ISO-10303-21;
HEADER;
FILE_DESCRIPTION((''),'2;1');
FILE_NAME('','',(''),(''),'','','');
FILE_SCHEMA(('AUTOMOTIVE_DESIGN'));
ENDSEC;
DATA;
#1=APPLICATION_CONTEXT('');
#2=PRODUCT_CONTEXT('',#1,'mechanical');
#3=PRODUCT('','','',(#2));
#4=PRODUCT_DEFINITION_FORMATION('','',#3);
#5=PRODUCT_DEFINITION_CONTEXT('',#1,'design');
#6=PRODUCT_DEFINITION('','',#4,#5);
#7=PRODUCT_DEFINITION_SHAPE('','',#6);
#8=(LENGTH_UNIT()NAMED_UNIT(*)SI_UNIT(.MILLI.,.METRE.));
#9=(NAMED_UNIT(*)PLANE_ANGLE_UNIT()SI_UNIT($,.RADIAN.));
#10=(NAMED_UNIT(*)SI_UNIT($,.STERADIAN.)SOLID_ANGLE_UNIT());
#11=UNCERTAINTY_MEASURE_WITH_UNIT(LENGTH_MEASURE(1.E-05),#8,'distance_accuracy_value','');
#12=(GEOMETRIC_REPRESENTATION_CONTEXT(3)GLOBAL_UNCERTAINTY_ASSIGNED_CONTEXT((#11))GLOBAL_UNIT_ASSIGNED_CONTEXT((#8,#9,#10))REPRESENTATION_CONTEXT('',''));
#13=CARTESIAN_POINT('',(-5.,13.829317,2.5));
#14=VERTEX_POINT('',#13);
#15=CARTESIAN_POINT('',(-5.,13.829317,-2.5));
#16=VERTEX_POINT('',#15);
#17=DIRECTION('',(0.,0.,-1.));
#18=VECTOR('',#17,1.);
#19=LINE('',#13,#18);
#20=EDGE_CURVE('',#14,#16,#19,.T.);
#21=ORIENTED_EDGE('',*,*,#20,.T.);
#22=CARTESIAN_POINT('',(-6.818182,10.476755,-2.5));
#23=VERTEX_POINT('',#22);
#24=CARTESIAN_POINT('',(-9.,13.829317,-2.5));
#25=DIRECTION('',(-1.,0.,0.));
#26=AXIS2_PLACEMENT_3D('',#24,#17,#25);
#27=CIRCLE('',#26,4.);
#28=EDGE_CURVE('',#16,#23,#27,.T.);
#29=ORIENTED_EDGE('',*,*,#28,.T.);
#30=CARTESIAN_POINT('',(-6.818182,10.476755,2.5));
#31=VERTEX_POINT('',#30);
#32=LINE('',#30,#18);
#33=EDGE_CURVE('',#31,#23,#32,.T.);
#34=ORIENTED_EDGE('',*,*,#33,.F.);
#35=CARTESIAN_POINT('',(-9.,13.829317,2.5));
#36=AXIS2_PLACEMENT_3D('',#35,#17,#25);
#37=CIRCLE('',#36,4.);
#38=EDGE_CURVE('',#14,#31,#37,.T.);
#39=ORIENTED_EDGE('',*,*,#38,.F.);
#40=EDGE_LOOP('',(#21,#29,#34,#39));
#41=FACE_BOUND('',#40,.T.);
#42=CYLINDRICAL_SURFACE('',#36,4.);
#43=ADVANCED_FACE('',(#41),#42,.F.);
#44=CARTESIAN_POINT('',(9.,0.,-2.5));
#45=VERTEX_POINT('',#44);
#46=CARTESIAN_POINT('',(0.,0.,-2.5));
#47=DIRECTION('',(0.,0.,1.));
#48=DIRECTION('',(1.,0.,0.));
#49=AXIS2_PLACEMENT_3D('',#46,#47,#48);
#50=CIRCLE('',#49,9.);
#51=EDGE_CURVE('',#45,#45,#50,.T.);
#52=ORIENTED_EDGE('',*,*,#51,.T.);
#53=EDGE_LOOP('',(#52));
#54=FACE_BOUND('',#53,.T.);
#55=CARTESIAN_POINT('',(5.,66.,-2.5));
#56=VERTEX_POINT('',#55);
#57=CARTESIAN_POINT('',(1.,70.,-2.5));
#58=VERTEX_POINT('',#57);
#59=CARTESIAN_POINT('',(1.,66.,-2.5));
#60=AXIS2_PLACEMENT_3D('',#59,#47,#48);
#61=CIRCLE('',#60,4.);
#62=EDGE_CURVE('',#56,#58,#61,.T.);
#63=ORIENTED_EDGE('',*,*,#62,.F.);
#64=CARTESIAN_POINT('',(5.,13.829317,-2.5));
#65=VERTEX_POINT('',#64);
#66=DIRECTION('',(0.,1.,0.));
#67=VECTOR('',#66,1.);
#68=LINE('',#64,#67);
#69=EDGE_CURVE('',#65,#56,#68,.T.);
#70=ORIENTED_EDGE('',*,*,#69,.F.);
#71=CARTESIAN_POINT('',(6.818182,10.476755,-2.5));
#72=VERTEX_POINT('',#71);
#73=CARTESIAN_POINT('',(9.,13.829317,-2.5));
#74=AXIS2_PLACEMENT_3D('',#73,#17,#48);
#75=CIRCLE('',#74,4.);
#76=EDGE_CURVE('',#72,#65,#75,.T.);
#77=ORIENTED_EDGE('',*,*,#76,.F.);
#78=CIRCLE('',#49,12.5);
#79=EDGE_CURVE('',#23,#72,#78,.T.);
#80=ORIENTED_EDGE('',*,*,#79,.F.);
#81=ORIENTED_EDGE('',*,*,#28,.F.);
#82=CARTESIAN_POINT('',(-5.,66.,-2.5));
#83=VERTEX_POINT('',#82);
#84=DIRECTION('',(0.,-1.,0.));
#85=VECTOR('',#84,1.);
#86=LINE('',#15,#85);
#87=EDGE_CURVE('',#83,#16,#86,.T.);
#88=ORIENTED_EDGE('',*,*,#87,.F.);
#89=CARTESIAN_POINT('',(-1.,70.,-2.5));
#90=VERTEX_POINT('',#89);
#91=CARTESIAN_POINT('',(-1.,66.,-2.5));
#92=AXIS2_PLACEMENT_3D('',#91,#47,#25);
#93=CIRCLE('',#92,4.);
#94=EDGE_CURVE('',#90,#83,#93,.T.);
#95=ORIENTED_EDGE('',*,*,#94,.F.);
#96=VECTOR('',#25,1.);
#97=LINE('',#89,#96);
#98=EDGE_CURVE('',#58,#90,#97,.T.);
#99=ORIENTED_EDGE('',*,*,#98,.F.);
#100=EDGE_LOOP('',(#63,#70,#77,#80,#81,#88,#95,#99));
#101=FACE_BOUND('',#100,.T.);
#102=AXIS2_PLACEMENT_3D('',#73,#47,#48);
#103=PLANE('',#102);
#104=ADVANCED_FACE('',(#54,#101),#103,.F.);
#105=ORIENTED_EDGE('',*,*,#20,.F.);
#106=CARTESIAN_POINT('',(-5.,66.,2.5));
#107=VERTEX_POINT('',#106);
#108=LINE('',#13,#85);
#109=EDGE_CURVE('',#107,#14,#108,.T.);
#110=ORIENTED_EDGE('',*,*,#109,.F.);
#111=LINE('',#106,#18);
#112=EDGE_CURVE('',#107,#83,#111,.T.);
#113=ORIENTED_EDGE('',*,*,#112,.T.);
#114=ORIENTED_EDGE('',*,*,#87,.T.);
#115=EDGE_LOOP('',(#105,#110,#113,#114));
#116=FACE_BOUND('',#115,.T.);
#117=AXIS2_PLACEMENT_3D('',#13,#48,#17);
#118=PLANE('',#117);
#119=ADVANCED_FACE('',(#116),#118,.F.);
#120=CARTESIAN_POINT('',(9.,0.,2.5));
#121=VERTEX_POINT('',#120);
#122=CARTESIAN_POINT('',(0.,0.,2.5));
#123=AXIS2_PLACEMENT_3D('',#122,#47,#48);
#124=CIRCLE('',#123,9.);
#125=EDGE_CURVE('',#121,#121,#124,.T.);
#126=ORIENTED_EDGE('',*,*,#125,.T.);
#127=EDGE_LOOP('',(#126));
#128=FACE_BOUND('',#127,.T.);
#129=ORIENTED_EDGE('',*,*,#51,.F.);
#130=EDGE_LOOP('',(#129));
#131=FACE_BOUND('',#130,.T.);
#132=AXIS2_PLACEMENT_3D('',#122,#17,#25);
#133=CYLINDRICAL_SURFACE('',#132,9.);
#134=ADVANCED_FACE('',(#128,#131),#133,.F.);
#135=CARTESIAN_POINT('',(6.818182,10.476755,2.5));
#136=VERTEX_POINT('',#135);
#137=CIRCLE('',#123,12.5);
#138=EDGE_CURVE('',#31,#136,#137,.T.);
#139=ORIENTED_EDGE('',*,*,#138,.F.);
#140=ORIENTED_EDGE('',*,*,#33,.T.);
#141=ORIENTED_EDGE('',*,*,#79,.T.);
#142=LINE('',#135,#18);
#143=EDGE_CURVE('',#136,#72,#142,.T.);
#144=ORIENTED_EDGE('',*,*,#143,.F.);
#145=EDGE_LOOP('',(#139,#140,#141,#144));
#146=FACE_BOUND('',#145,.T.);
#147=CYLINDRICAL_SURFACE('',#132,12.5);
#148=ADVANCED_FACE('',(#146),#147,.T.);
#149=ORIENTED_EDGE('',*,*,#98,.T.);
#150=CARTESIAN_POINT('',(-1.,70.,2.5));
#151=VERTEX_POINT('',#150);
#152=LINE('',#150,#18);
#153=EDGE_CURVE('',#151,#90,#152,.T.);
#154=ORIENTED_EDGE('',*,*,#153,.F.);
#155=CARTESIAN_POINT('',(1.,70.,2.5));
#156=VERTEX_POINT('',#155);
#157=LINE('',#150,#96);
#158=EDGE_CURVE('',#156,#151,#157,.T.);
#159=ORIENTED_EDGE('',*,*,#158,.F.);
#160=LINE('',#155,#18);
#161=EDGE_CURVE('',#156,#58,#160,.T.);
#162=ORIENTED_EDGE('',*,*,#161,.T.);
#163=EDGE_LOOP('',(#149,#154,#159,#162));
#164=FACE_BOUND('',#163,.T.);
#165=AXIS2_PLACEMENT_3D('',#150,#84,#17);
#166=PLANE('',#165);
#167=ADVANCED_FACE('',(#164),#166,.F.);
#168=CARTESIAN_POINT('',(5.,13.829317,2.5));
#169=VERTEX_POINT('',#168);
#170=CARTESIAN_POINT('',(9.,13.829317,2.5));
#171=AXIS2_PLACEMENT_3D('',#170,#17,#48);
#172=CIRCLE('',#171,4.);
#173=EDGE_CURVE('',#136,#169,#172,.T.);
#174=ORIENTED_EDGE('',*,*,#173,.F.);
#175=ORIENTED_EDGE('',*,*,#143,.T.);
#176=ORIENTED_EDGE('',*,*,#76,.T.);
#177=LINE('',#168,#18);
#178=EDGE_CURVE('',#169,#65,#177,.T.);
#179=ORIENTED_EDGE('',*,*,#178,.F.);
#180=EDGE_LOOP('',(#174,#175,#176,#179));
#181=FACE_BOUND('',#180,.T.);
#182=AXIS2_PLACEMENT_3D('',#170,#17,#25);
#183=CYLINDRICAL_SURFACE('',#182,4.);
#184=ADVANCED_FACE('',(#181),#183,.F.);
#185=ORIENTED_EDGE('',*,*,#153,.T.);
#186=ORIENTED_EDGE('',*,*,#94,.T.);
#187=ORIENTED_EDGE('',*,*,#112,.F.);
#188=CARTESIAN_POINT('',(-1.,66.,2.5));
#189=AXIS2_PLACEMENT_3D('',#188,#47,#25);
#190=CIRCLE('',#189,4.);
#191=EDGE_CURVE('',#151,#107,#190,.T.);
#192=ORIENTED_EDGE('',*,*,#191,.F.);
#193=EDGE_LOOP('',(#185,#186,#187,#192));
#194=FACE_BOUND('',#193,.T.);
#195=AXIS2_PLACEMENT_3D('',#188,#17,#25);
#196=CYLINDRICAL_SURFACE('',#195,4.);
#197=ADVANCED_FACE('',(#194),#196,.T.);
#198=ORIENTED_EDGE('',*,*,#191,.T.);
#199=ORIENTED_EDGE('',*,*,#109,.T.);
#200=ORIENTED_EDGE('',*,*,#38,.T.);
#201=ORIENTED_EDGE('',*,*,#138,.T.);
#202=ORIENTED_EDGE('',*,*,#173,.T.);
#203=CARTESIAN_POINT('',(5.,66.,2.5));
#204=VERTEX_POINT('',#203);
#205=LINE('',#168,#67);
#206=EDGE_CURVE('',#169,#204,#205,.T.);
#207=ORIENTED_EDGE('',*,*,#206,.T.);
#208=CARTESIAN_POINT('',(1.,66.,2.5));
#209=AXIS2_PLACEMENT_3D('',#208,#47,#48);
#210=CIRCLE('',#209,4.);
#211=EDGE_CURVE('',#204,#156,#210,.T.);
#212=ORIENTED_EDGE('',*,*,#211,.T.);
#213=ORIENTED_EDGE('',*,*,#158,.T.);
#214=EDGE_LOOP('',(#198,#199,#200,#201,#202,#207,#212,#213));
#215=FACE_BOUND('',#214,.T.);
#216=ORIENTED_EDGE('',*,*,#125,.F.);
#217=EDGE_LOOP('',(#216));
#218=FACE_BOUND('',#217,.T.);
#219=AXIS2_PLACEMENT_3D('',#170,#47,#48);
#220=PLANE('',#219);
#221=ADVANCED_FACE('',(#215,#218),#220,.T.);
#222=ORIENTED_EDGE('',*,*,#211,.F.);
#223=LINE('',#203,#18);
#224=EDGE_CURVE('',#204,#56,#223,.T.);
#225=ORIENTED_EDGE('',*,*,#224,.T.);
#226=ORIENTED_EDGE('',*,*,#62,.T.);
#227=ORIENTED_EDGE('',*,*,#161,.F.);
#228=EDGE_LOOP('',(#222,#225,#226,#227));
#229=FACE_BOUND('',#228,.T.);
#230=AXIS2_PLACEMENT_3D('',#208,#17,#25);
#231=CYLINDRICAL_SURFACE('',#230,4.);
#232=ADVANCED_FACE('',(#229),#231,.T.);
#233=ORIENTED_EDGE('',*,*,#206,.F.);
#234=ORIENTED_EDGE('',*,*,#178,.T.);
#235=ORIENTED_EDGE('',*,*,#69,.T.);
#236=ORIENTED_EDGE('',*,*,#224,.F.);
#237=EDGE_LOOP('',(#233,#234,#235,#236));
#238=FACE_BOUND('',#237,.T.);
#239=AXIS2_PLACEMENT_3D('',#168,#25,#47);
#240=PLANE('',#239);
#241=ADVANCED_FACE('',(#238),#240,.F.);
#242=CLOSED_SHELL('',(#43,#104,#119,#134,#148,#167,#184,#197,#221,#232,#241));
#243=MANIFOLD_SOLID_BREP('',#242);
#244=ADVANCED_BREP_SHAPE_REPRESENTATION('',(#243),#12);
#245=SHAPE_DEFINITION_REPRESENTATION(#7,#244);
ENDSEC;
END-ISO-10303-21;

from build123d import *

# Parameters (mm, degrees)
SKETCH1_R           = 9
BOSS_EXTRUDE1_DEPTH = 2.5


with BuildPart() as part:
    # Sketch1 → Boss-Extrude1 (new, symmetric)
    with BuildSketch(Plane.XY):
        with BuildLine():
            Line((-5, 13.829316686), (-5, 66))
            ThreePointArc((-5, 66), (-3.828427125, 68.828427125), (-1, 70))
            Line((-1, 70), (1, 70))
            ThreePointArc((1, 70), (3.828427125, 68.828427125), (5, 66))
            Line((5, 66), (5, 13.829316686))
            ThreePointArc((5, 13.829316686), (5.483803708, 11.922391507), (6.818181818, 10.476755065))
            ThreePointArc((6.818181818, 10.476755065), (0, -12.5), (-6.818181818, 10.476755065))
            ThreePointArc((-6.818181818, 10.476755065), (-5.483803708, 11.922391507), (-5, 13.829316686))
        make_face()
        Circle(SKETCH1_R, mode=Mode.SUBTRACT)
    extrude(amount=BOSS_EXTRUDE1_DEPTH, both=True)


solid = part.part
